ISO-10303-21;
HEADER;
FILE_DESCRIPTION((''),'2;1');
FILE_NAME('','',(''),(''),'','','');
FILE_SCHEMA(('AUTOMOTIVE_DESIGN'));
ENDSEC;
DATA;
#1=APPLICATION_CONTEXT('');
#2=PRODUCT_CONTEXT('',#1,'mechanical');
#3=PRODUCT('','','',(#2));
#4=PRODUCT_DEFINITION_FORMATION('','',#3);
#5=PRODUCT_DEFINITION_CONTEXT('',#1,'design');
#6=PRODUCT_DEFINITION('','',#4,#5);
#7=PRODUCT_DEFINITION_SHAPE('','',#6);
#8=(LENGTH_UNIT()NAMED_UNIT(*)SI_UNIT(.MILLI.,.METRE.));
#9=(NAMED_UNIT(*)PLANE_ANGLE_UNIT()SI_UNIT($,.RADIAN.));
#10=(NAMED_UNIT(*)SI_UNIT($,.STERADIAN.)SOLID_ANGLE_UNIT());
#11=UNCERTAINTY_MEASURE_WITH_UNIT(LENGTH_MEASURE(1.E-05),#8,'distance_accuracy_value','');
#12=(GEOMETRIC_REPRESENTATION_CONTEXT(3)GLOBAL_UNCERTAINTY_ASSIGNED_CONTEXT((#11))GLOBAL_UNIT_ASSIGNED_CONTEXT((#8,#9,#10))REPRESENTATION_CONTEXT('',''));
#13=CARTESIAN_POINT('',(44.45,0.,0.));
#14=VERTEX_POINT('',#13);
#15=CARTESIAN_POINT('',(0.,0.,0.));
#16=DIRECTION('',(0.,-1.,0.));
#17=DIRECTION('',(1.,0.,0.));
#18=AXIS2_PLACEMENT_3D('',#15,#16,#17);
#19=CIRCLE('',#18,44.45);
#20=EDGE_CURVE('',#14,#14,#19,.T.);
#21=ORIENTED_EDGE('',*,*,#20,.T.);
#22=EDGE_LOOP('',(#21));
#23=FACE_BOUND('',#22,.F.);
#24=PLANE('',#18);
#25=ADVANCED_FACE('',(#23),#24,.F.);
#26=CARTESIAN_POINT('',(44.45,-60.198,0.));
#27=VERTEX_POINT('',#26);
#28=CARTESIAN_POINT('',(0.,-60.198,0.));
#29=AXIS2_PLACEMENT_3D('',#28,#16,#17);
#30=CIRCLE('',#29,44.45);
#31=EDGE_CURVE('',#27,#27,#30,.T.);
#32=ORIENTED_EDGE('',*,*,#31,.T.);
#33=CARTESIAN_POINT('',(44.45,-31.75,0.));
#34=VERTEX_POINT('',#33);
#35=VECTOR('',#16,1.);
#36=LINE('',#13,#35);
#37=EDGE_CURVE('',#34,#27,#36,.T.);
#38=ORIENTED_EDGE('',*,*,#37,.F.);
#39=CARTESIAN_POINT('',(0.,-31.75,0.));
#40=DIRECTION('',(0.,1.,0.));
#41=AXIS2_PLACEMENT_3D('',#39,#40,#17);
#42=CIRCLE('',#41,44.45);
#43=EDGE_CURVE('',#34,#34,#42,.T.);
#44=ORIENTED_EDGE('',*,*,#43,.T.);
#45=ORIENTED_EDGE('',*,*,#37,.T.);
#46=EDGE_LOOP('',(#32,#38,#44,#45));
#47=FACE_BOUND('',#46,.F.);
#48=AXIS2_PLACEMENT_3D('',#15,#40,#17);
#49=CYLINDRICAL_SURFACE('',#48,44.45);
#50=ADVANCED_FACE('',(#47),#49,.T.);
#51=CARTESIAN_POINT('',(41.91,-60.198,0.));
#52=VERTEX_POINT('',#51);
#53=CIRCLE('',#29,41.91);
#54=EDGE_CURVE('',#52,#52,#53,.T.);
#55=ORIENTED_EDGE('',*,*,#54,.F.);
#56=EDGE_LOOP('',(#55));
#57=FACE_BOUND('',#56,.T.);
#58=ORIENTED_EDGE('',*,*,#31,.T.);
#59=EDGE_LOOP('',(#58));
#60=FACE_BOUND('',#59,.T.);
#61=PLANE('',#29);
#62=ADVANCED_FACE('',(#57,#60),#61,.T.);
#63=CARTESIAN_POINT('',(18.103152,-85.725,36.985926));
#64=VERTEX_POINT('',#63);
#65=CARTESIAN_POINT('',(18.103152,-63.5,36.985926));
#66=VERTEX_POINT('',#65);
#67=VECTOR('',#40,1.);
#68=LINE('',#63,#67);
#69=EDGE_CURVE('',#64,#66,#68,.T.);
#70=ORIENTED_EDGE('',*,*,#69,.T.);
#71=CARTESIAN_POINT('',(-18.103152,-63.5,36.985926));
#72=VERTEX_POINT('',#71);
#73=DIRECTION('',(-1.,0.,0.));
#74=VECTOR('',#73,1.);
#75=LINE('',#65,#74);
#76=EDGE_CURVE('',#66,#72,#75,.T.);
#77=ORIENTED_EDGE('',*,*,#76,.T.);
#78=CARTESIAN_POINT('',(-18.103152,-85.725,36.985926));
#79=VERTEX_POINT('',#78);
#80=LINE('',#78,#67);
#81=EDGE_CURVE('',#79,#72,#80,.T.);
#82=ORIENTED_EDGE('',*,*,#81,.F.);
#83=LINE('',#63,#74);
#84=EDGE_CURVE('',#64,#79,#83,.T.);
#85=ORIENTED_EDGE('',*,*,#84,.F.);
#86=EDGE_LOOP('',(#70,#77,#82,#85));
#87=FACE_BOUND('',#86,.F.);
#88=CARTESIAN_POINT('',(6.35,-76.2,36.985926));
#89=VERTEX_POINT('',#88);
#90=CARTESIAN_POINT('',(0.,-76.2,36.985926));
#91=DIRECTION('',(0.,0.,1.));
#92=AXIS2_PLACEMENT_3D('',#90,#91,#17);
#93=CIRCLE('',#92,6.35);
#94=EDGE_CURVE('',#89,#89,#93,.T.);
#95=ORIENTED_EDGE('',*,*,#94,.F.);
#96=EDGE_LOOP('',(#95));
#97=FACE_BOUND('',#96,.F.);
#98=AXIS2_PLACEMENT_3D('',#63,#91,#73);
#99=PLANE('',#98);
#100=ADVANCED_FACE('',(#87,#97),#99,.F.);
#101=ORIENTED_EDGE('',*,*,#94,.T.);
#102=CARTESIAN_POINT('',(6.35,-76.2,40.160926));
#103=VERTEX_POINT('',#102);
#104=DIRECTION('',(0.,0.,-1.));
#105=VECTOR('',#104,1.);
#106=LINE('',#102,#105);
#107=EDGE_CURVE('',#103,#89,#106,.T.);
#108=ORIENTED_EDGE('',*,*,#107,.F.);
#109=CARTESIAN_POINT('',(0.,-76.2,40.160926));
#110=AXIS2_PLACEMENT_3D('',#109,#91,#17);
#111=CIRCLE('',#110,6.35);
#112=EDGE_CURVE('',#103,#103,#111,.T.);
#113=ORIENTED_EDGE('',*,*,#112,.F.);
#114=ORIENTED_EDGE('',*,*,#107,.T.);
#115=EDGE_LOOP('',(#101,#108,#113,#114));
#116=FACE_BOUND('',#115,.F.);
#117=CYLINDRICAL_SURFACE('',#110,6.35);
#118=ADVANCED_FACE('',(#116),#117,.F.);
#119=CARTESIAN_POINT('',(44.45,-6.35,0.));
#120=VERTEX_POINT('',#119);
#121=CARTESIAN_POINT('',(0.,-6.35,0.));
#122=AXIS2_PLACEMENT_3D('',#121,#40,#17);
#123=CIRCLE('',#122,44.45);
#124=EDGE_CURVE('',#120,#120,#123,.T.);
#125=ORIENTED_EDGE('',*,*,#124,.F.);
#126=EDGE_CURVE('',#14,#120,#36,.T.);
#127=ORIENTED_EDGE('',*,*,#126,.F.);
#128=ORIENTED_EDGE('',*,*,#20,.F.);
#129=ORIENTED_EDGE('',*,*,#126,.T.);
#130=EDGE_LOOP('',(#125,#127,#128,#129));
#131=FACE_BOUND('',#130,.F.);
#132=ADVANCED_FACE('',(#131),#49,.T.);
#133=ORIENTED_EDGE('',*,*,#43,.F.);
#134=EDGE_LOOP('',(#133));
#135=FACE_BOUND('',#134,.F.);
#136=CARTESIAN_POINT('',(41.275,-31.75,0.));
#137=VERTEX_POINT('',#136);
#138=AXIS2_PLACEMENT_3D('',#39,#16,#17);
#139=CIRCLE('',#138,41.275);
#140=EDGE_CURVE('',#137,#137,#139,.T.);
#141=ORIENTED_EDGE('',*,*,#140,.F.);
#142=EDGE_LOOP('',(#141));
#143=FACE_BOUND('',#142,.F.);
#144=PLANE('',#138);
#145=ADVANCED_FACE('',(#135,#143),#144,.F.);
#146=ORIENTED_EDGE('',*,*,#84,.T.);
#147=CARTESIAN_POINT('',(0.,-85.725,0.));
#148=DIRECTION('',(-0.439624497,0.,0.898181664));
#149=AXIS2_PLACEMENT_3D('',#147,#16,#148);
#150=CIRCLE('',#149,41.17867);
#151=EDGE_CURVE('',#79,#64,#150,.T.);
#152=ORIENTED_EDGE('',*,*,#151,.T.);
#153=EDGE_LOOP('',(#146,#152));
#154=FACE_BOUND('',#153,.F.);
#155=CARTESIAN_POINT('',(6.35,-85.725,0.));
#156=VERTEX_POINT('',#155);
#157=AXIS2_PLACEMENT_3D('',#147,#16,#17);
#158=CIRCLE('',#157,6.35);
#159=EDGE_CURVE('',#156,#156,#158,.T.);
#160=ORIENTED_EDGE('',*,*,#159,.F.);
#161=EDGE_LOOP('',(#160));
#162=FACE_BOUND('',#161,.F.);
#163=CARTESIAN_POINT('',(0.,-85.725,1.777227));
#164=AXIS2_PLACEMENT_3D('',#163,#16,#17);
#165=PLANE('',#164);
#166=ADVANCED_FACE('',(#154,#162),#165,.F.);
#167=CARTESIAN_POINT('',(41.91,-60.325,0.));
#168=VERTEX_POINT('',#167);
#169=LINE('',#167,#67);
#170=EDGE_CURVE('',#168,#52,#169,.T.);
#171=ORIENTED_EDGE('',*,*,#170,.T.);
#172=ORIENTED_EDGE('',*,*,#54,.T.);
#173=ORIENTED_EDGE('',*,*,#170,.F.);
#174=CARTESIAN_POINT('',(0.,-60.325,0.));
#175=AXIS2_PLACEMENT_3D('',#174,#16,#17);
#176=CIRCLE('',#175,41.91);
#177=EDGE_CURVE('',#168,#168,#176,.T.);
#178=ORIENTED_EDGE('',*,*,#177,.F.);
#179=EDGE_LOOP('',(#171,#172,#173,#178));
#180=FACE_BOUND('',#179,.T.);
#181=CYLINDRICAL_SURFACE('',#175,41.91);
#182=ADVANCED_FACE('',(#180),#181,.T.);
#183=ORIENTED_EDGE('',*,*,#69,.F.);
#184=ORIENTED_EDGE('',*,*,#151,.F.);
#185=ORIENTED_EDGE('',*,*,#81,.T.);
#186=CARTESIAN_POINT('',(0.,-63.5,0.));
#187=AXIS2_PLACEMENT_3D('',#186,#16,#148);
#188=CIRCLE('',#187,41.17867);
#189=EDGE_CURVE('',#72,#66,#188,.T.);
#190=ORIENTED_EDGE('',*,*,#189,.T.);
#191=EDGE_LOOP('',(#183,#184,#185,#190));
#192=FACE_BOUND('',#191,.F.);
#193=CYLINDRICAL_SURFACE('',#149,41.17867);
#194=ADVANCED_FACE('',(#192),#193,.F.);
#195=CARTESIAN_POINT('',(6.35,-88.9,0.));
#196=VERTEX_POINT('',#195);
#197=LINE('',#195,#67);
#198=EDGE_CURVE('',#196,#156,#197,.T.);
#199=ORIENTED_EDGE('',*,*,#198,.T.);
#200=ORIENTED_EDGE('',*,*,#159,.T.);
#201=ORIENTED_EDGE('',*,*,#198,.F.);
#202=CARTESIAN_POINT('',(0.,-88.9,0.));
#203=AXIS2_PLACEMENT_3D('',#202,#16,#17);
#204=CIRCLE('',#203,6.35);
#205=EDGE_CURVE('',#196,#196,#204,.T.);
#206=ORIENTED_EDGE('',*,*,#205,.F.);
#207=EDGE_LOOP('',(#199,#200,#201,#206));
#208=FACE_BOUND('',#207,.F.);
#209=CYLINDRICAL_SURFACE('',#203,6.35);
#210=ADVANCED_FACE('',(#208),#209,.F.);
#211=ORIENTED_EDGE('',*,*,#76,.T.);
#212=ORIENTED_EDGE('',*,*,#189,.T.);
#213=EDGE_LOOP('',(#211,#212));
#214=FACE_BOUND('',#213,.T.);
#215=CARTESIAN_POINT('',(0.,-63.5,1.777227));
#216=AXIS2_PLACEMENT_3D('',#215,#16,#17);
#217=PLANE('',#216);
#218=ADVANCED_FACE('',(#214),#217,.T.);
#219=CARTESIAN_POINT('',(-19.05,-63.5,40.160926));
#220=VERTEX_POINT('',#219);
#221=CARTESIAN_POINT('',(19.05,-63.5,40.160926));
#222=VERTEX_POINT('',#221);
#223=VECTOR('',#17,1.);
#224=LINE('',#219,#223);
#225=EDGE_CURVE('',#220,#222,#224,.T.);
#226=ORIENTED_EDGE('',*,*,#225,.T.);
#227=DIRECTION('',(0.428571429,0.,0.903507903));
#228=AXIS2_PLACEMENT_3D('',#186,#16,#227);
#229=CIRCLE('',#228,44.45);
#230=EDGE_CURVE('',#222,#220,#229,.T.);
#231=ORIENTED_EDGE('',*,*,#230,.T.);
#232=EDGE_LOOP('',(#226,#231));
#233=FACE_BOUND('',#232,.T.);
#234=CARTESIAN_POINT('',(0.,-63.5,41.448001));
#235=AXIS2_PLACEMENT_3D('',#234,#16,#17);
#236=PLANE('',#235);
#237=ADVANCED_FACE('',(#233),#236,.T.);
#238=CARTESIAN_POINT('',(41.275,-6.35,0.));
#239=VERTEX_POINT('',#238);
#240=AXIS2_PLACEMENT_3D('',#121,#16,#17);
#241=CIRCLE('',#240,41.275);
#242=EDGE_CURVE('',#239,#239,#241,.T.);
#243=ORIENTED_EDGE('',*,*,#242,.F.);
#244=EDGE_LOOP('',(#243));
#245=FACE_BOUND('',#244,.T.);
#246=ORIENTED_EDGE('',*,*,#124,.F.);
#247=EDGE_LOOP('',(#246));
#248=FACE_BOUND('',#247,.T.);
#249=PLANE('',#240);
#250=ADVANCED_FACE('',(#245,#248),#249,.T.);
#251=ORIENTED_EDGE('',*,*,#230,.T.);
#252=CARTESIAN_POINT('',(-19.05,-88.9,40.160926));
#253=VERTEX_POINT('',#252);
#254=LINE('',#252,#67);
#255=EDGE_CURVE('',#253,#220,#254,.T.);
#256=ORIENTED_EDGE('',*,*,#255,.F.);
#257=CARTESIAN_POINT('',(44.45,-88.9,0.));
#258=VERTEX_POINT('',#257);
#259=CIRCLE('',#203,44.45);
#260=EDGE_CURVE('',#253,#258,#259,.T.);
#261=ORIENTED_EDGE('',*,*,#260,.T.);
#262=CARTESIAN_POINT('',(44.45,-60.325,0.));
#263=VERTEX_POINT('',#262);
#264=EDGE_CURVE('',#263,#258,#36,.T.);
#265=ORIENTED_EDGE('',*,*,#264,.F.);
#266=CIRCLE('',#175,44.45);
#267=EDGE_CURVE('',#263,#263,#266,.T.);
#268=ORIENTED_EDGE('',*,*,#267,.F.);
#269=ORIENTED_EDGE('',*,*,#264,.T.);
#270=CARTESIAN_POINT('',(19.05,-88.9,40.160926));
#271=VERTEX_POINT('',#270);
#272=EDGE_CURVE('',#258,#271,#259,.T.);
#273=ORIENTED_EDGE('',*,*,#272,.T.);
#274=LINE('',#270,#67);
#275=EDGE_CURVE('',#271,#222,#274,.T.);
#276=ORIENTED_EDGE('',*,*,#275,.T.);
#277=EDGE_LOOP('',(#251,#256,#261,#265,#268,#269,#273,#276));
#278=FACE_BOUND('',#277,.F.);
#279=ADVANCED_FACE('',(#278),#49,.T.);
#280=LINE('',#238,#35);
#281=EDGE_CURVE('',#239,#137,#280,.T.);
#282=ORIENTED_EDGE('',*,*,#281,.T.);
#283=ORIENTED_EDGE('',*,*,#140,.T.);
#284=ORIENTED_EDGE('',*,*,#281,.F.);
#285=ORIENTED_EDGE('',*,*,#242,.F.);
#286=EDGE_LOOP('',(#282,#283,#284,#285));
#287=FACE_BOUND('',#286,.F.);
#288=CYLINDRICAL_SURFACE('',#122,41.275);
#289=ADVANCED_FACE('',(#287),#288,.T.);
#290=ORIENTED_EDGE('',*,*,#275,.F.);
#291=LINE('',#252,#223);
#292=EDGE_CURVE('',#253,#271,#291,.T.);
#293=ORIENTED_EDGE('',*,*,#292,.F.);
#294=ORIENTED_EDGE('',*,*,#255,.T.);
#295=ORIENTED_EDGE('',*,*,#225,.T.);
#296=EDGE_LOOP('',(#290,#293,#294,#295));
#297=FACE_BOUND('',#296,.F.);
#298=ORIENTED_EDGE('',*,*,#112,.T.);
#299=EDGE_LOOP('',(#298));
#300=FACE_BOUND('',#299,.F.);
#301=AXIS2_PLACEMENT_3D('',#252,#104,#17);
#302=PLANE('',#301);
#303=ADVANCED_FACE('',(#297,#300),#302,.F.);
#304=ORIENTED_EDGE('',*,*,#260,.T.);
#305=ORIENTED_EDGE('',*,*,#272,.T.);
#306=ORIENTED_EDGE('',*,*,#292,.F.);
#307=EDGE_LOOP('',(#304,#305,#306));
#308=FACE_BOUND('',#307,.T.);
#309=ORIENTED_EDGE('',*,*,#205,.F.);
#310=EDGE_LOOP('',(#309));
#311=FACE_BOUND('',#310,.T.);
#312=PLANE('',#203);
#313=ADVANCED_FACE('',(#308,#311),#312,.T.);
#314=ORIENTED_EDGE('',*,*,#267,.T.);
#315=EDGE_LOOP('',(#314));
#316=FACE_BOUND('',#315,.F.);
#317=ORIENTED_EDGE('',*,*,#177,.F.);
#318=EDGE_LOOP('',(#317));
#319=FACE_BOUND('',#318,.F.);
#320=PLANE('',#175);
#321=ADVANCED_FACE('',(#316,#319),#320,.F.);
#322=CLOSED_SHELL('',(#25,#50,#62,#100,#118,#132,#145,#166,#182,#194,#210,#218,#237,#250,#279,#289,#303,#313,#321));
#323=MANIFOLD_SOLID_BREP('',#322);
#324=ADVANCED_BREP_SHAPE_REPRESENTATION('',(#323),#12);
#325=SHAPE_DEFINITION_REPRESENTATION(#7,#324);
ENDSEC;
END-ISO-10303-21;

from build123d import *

# Parameters (mm, degrees)
F0_R      = 44.45
F1_DEPTH  = 88.9
F2_R      = 6.35
F3_DEPTH  = 25.4
F5_DEPTH  = 25.4
F6_R      = 6.35
F7_DEPTH  = 25.4
F10_DEPTH = 22.225
F12_R     = 44.45
F12_R_2   = 41.91
F13_DEPTH = 0.127
F15_R     = 48.4692120424
F15_R_2   = 41.275
F16_DEPTH = 25.4


with BuildPart() as f1:
    # F0 (on Front) → F1 (new body)
    with BuildSketch(Plane.XZ):
        Circle(F0_R)
    extrude(amount=F1_DEPTH)

    # F2 (on face) → F3 (cut)
    with BuildSketch(Plane.XZ.offset(88.9)):
        Circle(F2_R)
    extrude(amount=-F3_DEPTH, mode=Mode.SUBTRACT)

    # F4 (on face) → F5 (cut)
    with BuildSketch(Plane.XZ.offset(88.9)):
        with BuildLine():
            ThreePointArc((19.05, 40.1609262841), (0, 44.45), (-19.05, 40.1609262841))
            Line((-19.05, 40.1609262841), (19.05, 40.1609262841))
        make_face()
    extrude(amount=-F5_DEPTH, mode=Mode.SUBTRACT)

    # F6 (on face) → F7 (cut)
    with BuildSketch(Plane.XY.offset(40.1609262841)):
        with Locations((0, -76.2)):
            Circle(F6_R)
    extrude(amount=-F7_DEPTH, mode=Mode.SUBTRACT)

    # F9 (on offset) → F10 (cut)
    with BuildSketch(Plane.XZ.offset(85.725)):
        with BuildLine():
            Line((18.1031520743, 36.9859262841), (-18.1031520743, 36.9859262841))
            ThreePointArc((-18.1031520743, 36.9859262841), (0, -41.1786699411), (18.1031520743, 36.9859262841))
        make_face()
    extrude(amount=-F10_DEPTH, mode=Mode.SUBTRACT)

    # F12 (on offset) → F13 (cut)
    with BuildSketch(Plane.XZ.offset(60.325)):
        Circle(F12_R)
        Circle(F12_R_2, mode=Mode.SUBTRACT)
    extrude(amount=-F13_DEPTH, mode=Mode.SUBTRACT)

    # F15 (on offset) → F16 (cut)
    with BuildSketch(Plane.XZ.offset(6.35)):
        Circle(F15_R)
        Circle(F15_R_2, mode=Mode.SUBTRACT)
    extrude(amount=F16_DEPTH, mode=Mode.SUBTRACT)


solid = f1.part
